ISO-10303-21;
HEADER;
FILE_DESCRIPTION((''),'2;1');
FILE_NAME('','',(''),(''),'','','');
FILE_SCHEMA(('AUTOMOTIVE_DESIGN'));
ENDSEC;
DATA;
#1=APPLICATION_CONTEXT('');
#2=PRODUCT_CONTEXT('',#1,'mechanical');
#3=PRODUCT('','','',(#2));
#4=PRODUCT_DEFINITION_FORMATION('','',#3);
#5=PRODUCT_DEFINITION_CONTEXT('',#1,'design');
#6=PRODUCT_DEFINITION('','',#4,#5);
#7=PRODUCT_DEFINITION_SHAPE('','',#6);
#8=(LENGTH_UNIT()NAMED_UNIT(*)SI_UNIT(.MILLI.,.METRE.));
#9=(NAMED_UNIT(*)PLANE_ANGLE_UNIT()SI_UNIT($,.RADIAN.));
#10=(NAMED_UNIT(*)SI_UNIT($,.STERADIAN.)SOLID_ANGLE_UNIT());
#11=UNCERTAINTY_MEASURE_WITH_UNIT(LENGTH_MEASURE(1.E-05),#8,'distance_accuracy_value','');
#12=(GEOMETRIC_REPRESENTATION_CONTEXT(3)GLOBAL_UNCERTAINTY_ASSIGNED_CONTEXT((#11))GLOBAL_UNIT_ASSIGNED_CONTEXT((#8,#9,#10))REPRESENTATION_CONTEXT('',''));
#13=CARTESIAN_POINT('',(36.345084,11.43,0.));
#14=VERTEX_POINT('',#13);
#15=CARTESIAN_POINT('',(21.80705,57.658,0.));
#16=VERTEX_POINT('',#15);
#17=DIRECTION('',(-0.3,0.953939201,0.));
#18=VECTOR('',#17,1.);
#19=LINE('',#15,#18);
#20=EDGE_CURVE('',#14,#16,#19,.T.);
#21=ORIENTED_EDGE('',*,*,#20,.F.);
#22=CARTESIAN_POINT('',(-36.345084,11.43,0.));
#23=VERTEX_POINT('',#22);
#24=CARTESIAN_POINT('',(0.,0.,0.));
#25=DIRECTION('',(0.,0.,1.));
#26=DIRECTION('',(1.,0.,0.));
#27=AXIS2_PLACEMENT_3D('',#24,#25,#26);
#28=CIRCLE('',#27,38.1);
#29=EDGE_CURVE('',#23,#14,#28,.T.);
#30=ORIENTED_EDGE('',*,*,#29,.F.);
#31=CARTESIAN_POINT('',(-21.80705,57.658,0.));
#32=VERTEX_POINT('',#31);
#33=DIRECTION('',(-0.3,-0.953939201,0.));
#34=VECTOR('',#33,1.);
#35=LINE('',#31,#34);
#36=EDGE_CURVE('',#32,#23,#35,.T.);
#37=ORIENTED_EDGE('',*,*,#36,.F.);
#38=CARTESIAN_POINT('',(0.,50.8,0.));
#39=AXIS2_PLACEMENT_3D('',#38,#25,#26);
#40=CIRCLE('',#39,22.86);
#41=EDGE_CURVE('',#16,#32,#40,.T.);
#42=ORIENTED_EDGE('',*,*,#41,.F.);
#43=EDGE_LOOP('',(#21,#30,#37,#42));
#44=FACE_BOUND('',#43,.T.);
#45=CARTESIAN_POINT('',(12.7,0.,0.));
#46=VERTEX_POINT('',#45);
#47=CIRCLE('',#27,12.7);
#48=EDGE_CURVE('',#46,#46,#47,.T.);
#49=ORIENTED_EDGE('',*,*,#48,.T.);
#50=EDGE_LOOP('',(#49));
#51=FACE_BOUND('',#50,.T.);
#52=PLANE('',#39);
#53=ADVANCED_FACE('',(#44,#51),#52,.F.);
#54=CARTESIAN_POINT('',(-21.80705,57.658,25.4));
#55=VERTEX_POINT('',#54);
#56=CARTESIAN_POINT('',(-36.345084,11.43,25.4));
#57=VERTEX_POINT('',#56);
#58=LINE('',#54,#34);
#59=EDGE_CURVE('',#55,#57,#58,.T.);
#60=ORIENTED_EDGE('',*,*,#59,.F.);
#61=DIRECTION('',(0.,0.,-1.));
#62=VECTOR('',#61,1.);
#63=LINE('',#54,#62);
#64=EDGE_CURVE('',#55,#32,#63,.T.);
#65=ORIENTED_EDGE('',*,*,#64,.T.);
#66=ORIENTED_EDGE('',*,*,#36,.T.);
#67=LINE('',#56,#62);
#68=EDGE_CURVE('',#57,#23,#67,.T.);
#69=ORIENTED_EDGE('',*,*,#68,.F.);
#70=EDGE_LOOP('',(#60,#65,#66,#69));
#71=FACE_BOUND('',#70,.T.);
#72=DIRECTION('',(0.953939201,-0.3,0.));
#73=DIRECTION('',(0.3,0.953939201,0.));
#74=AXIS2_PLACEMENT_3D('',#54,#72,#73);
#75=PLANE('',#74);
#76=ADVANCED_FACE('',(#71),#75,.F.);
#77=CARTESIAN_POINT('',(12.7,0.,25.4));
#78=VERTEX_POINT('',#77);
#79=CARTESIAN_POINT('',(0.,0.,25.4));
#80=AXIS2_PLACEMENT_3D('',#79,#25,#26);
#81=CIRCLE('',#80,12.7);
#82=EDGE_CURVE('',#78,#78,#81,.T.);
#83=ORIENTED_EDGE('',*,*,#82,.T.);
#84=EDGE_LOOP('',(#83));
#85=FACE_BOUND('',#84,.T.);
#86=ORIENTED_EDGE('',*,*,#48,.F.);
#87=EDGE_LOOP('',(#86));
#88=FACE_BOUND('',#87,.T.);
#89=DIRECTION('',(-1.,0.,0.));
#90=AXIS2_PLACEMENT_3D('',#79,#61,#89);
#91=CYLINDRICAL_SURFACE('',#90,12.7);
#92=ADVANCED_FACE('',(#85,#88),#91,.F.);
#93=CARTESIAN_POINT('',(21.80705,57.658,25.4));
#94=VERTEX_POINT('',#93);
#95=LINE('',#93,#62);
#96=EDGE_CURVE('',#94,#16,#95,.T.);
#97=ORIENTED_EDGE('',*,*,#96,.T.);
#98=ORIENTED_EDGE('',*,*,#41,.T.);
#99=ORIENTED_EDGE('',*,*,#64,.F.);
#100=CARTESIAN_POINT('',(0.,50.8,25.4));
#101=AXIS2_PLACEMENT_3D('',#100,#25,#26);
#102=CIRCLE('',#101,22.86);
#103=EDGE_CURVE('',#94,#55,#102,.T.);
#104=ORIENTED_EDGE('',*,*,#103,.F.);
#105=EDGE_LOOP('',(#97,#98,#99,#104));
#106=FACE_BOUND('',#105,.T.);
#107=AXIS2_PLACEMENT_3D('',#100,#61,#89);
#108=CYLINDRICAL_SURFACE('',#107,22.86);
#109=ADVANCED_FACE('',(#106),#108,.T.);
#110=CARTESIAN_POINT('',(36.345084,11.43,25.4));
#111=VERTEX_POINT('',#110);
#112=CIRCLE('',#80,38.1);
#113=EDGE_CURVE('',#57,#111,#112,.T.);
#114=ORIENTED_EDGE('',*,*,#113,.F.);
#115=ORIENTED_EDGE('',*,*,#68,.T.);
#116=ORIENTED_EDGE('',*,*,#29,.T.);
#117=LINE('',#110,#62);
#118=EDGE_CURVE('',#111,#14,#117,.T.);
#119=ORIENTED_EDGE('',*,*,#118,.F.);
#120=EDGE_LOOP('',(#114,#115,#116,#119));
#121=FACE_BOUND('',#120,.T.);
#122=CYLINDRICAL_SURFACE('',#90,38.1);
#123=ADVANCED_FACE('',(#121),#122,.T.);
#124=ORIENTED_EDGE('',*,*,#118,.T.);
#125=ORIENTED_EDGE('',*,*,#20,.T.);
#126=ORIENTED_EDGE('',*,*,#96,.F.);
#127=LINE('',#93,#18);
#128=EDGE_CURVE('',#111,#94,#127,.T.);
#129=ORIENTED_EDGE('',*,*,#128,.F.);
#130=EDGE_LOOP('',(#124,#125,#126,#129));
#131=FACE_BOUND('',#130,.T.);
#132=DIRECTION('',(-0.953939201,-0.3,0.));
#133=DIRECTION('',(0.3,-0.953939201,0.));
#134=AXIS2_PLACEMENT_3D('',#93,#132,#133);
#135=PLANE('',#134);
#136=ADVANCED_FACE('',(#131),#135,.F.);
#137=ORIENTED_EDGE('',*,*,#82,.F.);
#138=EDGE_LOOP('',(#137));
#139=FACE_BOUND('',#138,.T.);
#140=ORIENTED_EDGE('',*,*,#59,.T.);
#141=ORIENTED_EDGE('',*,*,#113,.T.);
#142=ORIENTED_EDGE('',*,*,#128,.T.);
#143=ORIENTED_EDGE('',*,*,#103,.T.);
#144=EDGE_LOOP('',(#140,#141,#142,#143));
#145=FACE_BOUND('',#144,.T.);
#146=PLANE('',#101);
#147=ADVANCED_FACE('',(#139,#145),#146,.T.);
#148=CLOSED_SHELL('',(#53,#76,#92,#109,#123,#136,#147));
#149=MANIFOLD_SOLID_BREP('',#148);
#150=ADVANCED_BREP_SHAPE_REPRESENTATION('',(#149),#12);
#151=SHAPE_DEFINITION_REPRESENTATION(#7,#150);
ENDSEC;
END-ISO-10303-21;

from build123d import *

# Parameters (mm, degrees)
SKETCH1_R           = 12.7
BOSS_EXTRUDE1_DEPTH = 25.4


with BuildPart() as part:
    # Sketch1 → Boss-Extrude1 (new body)
    with BuildSketch(Plane.XY):
        with BuildLine():
            Line((-21.807050144, 57.658), (-36.345083574, 11.43))
            ThreePointArc((-36.345083574, 11.43), (0, -38.1), (36.345083574, 11.43))
            Line((36.345083574, 11.43), (21.807050144, 57.658))
            ThreePointArc((21.807050144, 57.658), (0, 73.66), (-21.807050144, 57.658))
        make_face()
        Circle(SKETCH1_R, mode=Mode.SUBTRACT)
    extrude(amount=BOSS_EXTRUDE1_DEPTH)


solid = part.part
